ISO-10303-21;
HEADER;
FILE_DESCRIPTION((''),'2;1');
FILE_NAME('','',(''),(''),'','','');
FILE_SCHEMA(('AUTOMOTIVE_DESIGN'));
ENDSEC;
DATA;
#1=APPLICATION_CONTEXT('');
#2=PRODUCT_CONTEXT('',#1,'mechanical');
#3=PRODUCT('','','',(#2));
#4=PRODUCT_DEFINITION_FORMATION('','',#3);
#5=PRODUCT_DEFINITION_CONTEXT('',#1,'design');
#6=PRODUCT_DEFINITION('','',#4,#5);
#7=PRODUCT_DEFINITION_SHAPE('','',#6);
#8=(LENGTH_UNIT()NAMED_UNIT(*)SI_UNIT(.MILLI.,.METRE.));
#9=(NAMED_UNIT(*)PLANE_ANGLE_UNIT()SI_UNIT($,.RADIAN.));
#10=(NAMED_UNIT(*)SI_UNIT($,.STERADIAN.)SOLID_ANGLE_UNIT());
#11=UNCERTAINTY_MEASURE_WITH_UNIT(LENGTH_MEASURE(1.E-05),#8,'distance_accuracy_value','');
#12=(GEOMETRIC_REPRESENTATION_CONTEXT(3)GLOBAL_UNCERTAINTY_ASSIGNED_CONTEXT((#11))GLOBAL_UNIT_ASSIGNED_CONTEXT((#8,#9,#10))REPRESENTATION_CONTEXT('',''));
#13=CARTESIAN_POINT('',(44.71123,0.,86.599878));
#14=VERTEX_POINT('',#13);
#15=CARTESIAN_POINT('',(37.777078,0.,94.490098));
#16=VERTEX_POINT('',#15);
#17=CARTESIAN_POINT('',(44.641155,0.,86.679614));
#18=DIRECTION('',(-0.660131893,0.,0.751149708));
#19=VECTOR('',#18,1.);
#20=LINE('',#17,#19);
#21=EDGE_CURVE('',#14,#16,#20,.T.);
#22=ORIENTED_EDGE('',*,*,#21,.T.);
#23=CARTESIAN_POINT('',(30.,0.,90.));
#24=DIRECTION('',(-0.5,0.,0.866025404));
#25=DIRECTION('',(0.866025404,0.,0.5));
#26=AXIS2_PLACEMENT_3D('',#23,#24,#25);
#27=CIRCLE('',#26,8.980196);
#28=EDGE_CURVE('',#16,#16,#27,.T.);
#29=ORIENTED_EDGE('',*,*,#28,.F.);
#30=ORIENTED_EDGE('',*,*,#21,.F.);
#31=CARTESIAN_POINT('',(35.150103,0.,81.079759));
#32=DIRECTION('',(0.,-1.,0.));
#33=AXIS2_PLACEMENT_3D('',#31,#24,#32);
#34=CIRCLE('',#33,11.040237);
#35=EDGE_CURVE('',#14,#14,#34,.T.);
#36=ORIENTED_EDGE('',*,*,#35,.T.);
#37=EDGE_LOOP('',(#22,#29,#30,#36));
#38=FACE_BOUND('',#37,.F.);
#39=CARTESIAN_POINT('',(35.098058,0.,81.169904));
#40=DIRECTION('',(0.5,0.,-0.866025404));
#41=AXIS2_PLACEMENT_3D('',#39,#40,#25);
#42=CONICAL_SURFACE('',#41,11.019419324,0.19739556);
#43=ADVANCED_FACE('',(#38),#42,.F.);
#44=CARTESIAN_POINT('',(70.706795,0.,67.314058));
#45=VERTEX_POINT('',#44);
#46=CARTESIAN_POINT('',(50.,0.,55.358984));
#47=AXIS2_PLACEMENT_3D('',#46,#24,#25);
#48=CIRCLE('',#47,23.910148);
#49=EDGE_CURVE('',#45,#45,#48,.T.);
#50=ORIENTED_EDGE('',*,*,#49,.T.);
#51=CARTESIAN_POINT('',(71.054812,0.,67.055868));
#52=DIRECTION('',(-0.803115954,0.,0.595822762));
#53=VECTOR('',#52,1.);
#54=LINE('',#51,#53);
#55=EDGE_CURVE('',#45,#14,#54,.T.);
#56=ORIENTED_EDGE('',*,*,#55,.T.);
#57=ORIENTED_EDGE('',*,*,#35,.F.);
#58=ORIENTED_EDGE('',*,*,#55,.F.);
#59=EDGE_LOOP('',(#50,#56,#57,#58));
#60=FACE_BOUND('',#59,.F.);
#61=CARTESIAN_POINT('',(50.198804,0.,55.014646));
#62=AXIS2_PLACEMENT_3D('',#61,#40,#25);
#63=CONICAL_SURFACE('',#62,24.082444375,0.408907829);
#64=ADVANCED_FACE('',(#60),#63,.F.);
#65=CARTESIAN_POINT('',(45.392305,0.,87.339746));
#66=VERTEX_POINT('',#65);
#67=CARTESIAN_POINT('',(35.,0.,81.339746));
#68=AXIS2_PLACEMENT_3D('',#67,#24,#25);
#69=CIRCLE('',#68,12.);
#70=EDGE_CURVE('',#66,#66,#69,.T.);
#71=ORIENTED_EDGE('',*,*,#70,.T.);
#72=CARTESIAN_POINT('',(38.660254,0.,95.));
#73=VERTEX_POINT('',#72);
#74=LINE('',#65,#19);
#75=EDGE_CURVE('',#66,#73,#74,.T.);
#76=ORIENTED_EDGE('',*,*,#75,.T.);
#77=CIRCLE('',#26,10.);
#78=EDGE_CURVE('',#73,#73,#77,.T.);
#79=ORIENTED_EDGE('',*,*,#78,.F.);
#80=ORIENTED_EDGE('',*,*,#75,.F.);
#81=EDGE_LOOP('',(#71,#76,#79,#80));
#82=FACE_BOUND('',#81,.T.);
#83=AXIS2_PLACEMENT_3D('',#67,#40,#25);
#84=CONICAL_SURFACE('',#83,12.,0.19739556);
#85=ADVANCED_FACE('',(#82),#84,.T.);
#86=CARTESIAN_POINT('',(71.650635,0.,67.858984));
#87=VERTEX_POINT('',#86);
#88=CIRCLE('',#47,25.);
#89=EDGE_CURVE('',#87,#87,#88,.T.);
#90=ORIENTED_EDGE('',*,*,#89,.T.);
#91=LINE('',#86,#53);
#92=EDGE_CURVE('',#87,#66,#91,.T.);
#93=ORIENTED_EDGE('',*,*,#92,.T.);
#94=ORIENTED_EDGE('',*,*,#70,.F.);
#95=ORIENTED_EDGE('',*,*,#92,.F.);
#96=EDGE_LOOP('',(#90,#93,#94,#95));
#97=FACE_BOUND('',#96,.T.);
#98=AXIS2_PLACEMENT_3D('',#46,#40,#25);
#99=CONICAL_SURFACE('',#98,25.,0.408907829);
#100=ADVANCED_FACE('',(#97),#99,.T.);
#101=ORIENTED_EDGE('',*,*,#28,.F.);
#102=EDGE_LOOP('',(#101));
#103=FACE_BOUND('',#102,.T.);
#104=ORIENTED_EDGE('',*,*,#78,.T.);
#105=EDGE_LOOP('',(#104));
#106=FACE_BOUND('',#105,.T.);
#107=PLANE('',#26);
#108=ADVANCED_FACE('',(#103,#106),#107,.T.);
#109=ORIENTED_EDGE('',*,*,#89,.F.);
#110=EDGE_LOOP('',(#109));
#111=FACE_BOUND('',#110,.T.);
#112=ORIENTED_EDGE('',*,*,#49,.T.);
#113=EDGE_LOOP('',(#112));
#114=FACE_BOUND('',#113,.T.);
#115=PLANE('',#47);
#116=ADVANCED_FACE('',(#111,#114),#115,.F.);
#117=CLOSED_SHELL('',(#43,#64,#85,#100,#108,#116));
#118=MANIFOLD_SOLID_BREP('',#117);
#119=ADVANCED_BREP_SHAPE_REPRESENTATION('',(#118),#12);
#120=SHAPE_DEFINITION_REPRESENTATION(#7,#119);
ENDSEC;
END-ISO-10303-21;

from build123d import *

# Parameters (mm, degrees)
F2_T     = -1
F5_ANGLE = 30


with BuildPart() as f1:
    # F0 (on Front) → F1 (revolve)
    with BuildSketch(Plane.XZ):
        Polygon((10, 40), (0, 40), (0, 0), (25, 0), (12, 30), align=None)
    revolve(axis=Axis((0, 0, 20), (0, 0, 1)))

    # F2
    f2_openings = [f1.faces().sort_by_distance(p)[0] for p in [
        (0, 0, 0),
        (0, 0, 40),
    ]]
    offset(amount=F2_T, openings=f2_openings, kind=Kind.INTERSECTION)


with BuildPart() as f1_1:
    # F3: moved
    add(f1.part.moved(Location((30, 0, 50))))


with BuildPart() as f1_2:
    # F5: moved
    add(f1_1.part.rotate(Axis((30, 0, 90), (0, -1, 0)), F5_ANGLE))


solid = f1_2.part
